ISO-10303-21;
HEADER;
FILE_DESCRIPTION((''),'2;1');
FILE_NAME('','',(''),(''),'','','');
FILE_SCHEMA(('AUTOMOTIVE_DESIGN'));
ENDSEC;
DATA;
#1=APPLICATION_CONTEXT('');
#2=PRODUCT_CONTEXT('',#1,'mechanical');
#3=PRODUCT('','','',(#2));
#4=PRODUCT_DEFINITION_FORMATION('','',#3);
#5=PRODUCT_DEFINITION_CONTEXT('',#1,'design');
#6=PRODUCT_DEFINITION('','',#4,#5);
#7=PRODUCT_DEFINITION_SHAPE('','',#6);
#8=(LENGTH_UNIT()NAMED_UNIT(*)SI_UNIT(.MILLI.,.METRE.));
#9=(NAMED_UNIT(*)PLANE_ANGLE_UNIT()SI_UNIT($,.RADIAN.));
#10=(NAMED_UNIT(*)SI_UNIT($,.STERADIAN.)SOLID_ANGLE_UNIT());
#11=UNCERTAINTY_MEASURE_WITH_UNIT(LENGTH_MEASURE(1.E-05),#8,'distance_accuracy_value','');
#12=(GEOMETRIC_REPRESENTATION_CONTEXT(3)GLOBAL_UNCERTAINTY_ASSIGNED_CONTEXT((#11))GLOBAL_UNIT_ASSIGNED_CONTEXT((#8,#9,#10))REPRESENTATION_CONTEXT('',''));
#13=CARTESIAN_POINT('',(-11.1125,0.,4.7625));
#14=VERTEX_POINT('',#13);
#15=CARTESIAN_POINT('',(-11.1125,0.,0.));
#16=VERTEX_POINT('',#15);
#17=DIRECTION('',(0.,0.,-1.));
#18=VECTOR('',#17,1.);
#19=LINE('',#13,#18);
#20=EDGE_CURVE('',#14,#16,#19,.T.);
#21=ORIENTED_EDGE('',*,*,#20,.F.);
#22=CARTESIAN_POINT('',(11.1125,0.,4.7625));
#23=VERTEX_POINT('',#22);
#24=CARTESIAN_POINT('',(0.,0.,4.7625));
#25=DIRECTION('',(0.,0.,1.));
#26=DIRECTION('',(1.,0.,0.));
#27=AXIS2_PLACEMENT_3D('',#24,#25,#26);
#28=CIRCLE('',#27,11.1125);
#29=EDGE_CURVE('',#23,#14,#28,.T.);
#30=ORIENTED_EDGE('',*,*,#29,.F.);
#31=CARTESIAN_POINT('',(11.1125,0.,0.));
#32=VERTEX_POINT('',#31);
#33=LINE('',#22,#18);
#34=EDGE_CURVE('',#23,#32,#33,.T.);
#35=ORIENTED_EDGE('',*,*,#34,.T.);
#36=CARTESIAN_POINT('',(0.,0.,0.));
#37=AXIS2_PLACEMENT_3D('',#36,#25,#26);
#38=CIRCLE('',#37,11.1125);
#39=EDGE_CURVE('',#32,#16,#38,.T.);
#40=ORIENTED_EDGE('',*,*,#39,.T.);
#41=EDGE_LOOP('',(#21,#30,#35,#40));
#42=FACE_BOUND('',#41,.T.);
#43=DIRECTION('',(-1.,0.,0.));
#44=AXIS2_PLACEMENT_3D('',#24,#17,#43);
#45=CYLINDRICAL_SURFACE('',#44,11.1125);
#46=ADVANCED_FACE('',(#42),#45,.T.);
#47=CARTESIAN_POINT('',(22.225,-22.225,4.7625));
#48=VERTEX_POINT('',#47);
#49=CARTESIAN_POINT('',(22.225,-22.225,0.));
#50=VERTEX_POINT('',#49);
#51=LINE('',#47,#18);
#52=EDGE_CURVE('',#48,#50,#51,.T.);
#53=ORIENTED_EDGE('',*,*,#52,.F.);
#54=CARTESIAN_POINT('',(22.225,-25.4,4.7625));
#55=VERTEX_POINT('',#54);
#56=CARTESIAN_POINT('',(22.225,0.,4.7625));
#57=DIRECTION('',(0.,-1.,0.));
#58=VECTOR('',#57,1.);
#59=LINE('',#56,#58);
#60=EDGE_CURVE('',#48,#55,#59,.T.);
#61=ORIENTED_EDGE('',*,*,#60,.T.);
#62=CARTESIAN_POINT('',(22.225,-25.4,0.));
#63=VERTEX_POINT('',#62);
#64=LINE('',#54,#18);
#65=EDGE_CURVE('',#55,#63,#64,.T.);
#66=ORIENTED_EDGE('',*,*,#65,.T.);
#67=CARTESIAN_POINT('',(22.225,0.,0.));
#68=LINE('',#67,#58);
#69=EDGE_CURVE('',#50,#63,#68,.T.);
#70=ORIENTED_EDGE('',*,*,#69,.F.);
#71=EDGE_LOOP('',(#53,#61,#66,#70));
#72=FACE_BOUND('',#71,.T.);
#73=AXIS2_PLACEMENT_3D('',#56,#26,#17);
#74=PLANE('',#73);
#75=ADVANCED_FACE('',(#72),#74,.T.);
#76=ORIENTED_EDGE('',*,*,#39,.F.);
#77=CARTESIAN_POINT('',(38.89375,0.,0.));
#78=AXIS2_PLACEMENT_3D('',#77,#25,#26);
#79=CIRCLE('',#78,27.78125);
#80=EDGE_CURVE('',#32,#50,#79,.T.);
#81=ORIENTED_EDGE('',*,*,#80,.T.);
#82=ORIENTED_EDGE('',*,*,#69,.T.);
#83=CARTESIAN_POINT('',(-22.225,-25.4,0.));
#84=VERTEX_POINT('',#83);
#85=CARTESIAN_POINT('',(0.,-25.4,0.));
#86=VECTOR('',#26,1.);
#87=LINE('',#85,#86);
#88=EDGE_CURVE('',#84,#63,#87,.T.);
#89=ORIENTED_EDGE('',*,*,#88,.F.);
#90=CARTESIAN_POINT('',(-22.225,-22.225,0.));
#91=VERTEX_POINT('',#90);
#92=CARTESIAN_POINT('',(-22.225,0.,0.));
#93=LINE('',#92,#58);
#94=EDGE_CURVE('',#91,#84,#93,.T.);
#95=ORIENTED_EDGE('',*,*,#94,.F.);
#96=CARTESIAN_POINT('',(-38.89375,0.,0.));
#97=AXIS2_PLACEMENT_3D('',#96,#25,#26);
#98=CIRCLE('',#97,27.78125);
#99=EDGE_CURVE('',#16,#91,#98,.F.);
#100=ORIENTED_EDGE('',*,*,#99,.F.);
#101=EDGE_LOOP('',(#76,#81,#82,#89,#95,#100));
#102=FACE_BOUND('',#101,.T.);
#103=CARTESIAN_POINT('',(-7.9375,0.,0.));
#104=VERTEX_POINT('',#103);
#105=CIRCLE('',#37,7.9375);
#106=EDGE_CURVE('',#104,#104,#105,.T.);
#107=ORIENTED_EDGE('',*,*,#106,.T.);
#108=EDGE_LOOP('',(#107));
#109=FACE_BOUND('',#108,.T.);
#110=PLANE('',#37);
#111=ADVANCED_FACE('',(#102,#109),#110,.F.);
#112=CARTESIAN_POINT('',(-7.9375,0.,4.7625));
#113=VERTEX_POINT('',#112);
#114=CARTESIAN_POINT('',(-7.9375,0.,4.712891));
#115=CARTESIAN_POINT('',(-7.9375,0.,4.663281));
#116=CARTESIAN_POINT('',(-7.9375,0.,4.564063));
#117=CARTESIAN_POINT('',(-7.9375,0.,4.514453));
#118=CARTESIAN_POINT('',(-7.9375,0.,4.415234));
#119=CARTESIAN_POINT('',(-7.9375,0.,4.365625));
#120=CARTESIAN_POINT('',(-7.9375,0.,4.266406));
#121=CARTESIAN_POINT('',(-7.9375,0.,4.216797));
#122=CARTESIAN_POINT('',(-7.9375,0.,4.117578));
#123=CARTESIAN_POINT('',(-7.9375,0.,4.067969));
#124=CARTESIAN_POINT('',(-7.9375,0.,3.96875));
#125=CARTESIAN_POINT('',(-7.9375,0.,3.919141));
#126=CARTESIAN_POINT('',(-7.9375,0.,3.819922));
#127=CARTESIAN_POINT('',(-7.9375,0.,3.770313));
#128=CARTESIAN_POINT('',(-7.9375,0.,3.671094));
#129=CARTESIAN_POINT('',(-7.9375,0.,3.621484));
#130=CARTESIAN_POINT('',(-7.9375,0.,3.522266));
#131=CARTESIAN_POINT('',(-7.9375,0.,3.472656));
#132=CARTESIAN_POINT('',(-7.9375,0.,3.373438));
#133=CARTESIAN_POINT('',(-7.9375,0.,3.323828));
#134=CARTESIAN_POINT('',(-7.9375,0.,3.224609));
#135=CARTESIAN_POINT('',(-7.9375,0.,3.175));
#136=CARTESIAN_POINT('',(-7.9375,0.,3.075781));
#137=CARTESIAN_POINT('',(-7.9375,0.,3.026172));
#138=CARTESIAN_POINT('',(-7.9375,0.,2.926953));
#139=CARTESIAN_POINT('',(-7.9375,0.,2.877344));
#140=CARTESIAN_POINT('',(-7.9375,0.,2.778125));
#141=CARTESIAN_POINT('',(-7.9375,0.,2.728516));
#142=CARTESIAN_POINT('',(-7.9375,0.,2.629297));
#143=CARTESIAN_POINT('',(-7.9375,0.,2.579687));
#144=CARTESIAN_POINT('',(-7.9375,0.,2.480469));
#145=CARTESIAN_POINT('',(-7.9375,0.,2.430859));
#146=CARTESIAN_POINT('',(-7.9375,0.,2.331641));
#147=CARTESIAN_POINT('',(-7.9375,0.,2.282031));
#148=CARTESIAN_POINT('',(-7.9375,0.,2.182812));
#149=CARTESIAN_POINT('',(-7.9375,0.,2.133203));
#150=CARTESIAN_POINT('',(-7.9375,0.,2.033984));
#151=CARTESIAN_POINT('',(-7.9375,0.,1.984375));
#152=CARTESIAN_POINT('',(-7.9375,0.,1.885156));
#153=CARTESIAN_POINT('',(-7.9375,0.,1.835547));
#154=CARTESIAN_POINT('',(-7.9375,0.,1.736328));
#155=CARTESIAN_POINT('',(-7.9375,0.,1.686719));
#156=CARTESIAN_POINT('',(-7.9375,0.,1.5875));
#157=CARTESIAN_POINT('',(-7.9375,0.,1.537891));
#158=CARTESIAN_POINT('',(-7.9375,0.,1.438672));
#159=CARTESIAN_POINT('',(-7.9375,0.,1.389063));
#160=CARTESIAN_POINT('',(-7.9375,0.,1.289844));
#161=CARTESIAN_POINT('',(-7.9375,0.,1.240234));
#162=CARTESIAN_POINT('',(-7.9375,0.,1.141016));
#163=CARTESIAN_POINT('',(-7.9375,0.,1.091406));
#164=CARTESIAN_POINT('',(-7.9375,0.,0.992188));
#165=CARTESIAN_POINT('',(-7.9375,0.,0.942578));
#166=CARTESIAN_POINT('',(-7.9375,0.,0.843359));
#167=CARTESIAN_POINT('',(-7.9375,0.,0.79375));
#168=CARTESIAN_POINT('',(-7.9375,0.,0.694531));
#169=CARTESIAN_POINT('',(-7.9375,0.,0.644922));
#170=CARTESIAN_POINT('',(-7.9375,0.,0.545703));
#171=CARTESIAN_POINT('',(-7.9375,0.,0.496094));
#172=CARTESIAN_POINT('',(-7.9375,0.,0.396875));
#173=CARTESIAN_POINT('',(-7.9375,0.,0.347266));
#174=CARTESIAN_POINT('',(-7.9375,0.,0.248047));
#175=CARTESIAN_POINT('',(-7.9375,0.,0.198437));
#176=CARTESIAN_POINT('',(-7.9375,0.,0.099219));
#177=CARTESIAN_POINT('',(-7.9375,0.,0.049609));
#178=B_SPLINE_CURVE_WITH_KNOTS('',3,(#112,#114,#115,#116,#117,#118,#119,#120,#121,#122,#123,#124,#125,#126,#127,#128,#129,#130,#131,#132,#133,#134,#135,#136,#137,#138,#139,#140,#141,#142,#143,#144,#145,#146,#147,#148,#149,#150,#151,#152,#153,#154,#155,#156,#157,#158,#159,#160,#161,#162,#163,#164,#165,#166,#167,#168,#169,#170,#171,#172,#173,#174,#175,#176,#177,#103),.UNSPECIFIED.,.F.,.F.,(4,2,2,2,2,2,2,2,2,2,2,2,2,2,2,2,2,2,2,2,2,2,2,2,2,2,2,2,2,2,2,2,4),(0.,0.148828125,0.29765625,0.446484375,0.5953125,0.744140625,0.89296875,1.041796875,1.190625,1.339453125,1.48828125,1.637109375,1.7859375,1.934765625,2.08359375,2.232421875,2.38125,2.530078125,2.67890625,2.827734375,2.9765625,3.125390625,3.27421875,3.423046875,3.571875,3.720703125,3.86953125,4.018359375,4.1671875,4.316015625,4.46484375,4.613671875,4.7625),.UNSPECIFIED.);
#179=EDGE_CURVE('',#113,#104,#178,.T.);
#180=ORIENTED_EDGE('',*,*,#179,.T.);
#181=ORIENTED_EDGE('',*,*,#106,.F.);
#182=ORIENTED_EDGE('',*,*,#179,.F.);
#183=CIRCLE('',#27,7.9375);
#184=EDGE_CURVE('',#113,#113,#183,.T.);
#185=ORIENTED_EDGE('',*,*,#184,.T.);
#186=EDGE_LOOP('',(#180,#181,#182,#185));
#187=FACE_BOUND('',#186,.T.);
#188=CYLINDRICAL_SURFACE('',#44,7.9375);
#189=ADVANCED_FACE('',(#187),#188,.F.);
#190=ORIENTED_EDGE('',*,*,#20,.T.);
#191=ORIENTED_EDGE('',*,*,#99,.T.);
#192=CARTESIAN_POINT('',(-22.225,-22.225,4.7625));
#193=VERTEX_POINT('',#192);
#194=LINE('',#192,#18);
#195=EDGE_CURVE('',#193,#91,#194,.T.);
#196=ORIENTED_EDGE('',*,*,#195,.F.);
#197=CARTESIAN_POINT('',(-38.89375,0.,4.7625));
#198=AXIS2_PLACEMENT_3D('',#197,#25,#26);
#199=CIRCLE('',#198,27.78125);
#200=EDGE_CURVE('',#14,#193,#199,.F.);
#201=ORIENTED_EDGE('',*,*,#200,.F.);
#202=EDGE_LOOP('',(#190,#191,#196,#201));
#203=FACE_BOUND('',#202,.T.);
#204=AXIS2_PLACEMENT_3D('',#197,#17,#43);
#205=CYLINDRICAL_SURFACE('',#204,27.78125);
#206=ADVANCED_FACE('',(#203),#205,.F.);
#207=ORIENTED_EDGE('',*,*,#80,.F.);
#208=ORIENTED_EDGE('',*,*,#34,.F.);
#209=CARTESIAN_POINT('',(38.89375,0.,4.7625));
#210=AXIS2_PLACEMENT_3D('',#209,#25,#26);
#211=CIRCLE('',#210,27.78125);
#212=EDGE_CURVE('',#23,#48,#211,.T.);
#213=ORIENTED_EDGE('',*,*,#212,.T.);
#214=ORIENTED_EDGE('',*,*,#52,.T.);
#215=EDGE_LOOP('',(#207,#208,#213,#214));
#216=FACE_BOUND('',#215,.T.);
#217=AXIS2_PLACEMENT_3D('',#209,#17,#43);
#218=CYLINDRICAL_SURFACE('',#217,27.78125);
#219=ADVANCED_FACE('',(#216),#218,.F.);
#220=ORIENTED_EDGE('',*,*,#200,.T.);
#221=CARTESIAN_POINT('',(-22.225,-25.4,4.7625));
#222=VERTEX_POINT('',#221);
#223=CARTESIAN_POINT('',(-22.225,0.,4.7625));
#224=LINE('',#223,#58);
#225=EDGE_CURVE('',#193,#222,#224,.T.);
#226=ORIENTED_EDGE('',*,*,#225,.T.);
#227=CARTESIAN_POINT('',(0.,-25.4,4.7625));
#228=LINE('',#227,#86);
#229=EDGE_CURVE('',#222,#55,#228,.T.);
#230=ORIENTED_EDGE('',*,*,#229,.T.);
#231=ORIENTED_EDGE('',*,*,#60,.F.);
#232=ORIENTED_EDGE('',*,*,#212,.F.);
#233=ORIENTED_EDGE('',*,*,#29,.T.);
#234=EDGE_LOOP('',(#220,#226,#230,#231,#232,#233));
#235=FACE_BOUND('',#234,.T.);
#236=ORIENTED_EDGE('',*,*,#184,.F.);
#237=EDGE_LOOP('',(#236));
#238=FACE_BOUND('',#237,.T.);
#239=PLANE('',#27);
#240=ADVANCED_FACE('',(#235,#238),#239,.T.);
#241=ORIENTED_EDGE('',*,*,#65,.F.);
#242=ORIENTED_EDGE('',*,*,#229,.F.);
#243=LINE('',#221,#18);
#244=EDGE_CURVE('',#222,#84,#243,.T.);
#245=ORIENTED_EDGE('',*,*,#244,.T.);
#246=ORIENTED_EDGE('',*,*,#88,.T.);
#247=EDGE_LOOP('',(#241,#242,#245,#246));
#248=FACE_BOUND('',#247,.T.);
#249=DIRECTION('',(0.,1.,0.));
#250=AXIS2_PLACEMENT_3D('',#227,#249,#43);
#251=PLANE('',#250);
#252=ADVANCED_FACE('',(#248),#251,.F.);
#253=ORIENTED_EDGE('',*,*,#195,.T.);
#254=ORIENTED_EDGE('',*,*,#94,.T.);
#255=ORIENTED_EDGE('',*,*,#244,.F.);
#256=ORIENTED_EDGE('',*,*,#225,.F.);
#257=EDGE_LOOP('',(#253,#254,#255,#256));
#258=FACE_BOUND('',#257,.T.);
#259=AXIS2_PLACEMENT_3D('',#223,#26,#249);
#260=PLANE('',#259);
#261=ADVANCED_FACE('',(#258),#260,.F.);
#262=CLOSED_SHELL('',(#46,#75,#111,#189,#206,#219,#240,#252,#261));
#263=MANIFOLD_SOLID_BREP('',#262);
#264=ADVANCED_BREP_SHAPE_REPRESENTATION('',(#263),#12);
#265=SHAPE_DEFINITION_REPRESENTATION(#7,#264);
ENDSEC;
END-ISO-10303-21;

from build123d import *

# Parameters (mm, degrees)
SKETCH1_R           = 7.9375
BOSS_EXTRUDE1_DEPTH = 4.7625


with BuildPart() as part:
    # Sketch1 → Boss-Extrude1 (new body)
    with BuildSketch(Plane.XY):
        with BuildLine():
            ThreePointArc((11.1125, 0), (14.0454446, -12.4241527), (22.225, -22.225))
            Line((22.225, -22.225), (22.225, -25.4))
            Line((22.225, -25.4), (-22.225, -25.4))
            Line((-22.225, -25.4), (-22.225, -22.225))
            ThreePointArc((-22.225, -22.225), (-14.0454446, -12.4241527), (-11.1125, 0))
            ThreePointArc((-11.1125, 0), (0, 11.1125), (11.1125, 0))
        make_face()
        with Locations(Location((0, 0, 0), (0, 0, 180))):
            Circle(SKETCH1_R, mode=Mode.SUBTRACT)
    extrude(amount=BOSS_EXTRUDE1_DEPTH)


solid = part.part
